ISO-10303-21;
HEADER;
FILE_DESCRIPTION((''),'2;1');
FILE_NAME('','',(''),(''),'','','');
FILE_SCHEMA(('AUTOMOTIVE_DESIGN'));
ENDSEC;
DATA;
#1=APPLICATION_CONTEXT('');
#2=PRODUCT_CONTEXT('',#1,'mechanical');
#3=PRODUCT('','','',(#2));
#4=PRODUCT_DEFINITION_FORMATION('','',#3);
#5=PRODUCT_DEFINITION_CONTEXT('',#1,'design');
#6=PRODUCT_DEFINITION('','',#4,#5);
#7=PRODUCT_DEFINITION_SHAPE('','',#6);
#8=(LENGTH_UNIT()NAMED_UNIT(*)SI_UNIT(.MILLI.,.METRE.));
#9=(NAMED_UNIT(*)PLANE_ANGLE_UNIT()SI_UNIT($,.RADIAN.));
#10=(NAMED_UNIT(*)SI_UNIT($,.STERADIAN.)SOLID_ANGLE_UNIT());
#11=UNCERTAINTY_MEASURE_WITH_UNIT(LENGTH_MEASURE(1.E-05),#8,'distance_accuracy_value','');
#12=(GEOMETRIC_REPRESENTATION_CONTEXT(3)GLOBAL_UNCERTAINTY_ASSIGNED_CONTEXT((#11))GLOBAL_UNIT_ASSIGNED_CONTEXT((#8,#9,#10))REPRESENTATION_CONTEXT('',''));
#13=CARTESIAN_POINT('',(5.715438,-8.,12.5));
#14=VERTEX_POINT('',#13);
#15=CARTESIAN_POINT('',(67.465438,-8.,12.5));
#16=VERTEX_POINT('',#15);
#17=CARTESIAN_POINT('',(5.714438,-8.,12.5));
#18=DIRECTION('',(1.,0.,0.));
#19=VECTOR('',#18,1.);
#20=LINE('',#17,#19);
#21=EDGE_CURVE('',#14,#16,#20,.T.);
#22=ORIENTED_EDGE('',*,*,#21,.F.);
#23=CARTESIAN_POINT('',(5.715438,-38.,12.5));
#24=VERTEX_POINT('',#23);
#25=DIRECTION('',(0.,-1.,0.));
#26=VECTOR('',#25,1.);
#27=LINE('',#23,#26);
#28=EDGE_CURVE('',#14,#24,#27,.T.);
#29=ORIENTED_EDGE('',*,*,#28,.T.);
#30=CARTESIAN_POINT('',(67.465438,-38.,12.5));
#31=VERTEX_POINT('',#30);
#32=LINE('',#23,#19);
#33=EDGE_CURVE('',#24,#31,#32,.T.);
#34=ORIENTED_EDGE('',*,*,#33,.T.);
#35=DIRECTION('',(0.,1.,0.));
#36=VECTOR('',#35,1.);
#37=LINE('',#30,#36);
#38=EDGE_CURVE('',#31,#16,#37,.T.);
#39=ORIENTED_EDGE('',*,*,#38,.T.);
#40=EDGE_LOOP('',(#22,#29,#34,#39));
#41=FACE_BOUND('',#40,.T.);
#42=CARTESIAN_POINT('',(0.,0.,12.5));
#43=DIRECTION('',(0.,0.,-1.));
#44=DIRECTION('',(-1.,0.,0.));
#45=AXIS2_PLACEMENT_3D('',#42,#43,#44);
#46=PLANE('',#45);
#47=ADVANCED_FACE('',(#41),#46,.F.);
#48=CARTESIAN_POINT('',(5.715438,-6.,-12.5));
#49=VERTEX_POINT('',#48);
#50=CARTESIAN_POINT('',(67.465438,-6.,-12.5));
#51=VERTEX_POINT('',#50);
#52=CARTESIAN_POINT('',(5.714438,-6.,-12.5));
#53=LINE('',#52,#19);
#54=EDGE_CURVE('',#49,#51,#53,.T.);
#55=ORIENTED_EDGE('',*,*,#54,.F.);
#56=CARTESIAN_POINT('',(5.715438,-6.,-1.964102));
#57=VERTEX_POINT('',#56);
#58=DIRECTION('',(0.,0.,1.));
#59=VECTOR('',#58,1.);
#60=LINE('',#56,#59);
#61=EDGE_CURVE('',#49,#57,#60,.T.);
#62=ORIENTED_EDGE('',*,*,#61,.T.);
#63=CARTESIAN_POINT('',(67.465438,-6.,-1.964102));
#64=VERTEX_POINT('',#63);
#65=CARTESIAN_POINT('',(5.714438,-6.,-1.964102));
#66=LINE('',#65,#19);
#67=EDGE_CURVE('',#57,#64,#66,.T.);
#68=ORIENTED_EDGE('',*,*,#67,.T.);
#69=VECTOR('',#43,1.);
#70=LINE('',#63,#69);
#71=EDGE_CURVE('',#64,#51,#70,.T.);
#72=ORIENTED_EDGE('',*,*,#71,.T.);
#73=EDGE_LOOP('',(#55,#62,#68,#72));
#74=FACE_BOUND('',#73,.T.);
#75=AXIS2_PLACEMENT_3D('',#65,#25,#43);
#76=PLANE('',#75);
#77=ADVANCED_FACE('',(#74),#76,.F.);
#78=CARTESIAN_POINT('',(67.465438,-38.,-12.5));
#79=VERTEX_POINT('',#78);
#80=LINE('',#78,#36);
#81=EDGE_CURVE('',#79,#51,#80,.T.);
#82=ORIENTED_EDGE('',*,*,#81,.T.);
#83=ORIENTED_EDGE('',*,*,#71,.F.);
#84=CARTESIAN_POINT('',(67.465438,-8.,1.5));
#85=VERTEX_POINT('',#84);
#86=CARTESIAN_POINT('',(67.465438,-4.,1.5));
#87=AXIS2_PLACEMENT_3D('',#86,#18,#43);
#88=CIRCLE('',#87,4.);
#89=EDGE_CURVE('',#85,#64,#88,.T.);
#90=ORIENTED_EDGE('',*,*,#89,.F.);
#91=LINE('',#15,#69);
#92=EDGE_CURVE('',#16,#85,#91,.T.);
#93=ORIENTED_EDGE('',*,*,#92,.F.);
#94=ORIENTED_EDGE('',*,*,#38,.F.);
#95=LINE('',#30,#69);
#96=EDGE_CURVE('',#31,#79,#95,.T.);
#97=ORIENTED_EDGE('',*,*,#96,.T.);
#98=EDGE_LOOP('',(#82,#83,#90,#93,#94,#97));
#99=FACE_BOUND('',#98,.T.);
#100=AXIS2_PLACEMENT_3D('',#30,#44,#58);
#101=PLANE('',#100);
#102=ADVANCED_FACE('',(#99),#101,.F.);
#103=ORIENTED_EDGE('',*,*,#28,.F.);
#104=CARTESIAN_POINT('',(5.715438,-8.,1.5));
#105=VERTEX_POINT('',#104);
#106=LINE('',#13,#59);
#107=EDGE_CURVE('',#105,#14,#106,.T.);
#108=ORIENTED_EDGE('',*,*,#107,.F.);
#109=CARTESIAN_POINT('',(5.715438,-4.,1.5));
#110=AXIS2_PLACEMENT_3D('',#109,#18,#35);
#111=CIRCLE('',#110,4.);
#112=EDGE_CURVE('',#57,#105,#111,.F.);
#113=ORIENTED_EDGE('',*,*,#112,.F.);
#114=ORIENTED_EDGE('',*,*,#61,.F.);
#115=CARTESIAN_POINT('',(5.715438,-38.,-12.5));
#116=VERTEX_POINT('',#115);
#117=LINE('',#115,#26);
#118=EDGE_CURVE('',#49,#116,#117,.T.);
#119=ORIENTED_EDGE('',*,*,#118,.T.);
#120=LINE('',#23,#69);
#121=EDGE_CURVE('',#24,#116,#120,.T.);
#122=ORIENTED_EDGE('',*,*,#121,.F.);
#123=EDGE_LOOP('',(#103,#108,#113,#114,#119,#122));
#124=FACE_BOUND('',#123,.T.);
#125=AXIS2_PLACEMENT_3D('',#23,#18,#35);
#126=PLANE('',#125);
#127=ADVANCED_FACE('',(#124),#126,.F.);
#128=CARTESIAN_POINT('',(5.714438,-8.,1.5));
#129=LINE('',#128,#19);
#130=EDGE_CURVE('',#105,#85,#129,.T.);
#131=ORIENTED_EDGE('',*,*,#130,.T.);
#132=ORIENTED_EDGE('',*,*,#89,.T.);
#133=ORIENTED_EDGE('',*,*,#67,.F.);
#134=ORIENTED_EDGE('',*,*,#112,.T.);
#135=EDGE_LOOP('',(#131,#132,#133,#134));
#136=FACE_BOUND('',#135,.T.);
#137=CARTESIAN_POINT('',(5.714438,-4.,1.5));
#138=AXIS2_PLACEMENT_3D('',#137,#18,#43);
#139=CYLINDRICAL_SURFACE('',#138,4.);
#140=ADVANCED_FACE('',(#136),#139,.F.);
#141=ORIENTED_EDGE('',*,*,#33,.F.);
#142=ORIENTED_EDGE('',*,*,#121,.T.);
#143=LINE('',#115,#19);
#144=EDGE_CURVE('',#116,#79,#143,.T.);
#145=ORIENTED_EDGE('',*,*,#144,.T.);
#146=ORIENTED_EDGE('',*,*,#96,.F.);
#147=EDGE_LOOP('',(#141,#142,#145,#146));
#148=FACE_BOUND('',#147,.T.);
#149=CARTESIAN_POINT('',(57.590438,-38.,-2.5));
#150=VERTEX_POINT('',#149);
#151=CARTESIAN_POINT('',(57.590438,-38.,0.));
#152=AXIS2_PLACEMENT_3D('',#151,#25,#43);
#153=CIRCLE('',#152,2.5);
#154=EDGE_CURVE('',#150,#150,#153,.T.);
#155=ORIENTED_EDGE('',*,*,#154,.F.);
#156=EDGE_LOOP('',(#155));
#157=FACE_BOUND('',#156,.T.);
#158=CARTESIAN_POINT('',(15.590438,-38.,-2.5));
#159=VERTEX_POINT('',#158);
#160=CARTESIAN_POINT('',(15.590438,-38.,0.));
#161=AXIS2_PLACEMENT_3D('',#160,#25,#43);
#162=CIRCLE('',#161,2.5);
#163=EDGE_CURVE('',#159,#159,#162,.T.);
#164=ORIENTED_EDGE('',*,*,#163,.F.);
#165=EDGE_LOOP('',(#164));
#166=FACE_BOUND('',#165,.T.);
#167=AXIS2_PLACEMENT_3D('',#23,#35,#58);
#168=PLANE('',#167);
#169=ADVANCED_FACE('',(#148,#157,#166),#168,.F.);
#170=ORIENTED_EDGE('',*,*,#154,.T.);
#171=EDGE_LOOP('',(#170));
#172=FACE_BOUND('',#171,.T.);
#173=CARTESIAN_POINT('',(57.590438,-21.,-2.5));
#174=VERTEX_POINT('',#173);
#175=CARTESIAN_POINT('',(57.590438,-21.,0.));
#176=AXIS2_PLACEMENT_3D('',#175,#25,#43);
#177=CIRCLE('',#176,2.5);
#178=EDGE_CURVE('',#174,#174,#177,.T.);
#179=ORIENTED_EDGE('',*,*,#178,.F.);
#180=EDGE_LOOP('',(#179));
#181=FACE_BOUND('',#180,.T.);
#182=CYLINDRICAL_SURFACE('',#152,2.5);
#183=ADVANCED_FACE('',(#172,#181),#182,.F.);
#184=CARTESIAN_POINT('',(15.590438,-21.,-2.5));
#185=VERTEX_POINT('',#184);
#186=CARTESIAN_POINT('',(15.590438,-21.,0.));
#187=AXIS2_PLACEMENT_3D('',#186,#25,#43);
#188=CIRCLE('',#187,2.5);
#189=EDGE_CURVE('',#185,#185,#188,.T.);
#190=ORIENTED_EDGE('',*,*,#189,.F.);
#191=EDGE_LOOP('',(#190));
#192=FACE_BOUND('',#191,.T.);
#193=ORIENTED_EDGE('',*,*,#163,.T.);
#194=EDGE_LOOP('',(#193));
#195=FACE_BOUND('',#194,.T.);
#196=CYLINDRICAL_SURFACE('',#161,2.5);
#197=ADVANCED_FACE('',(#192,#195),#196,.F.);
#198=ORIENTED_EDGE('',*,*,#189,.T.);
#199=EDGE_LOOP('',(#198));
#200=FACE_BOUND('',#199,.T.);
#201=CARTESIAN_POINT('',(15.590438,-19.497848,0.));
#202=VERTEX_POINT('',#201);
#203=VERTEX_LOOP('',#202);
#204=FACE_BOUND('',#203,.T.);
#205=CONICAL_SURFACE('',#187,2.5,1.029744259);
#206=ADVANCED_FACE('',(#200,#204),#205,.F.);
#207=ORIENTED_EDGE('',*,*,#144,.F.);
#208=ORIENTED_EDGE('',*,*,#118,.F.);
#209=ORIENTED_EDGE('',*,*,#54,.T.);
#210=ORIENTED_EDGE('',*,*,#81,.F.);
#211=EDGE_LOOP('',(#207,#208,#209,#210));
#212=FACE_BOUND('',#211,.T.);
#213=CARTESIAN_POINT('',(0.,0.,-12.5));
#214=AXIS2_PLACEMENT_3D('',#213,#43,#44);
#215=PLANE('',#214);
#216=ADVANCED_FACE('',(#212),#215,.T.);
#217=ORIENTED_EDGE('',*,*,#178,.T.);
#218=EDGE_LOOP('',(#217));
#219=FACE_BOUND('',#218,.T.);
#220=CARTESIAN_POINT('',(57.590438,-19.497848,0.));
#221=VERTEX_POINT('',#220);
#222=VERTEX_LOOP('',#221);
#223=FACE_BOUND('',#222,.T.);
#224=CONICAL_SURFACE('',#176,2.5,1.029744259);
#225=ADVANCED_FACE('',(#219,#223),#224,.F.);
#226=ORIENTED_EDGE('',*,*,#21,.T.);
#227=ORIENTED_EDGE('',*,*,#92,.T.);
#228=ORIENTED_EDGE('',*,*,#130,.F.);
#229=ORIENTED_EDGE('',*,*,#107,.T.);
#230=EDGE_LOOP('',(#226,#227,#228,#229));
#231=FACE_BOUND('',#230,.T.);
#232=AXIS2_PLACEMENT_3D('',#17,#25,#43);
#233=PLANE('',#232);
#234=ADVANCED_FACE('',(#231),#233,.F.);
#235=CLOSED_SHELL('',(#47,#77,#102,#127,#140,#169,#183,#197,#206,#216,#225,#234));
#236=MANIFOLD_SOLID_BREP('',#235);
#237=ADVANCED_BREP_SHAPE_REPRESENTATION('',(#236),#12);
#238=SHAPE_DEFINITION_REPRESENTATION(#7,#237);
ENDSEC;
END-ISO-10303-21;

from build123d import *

# Parameters (mm, degrees)
SKETCH1_W             = 61.75
SKETCH1_H             = 38
BOSS_EXTRUDE1_DEPTH   = 12.5
CUT_EXTRUDE1_REACH    = 75.575
M6_TAPPED_HOLE1_D     = 5
M6_TAPPED_HOLE1_DEPTH = 17
M6_TAPPED_HOLE1_TIP   = 1.502151548


with BuildPart() as part:
    # Sketch1 → Boss-Extrude1 (new, symmetric)
    with BuildSketch(Plane.XY):
        with Locations((36.590437788, -19)):
            Rectangle(SKETCH1_W, SKETCH1_H)
    extrude(amount=BOSS_EXTRUDE1_DEPTH, both=True)

    # Sketch2 → Cut-Extrude1 (cut, up to next)
    with BuildSketch(Plane(origin=(67.465437788, 0, 0), x_dir=(0, 0, -1), z_dir=(1, 0, 0)), mode=Mode.PRIVATE) as cut_extrude1_sk1:
        with BuildLine():
            Line((1.964101615, -6), (12.5, -6))
            Line((12.5, -6), (12.5, 0))
            Line((12.5, 0), (-12.5, 0))
            Line((-12.5, 0), (-12.5, -8))
            Line((-12.5, -8), (-1.5, -8))
            ThreePointArc((-1.5, -8), (0.5, -7.464101615), (1.964101615, -6))
        make_face()
    cut_extrude1_tool1 = extrude(cut_extrude1_sk1.sketch, amount=-CUT_EXTRUDE1_REACH, mode=Mode.PRIVATE) & part.part
    add(cut_extrude1_tool1.solids().sort_by_distance((67.465438, -3.603515, 0.874459))[0], mode=Mode.SUBTRACT)

    # M6 Tapped Hole1
    with Locations(Plane(origin=(0, -38, 0), x_dir=(-1, 0, 0), z_dir=(0, -1, 0))):
        with Locations((-15.590437788, 0), (-57.590437788, 0)):
            Hole(M6_TAPPED_HOLE1_D / 2, depth=M6_TAPPED_HOLE1_DEPTH)
            with Locations((0, 0, -(M6_TAPPED_HOLE1_DEPTH + M6_TAPPED_HOLE1_TIP / 2))):  # 118° drill point
                Cone(0, M6_TAPPED_HOLE1_D / 2, M6_TAPPED_HOLE1_TIP, mode=Mode.SUBTRACT)


solid = part.part
